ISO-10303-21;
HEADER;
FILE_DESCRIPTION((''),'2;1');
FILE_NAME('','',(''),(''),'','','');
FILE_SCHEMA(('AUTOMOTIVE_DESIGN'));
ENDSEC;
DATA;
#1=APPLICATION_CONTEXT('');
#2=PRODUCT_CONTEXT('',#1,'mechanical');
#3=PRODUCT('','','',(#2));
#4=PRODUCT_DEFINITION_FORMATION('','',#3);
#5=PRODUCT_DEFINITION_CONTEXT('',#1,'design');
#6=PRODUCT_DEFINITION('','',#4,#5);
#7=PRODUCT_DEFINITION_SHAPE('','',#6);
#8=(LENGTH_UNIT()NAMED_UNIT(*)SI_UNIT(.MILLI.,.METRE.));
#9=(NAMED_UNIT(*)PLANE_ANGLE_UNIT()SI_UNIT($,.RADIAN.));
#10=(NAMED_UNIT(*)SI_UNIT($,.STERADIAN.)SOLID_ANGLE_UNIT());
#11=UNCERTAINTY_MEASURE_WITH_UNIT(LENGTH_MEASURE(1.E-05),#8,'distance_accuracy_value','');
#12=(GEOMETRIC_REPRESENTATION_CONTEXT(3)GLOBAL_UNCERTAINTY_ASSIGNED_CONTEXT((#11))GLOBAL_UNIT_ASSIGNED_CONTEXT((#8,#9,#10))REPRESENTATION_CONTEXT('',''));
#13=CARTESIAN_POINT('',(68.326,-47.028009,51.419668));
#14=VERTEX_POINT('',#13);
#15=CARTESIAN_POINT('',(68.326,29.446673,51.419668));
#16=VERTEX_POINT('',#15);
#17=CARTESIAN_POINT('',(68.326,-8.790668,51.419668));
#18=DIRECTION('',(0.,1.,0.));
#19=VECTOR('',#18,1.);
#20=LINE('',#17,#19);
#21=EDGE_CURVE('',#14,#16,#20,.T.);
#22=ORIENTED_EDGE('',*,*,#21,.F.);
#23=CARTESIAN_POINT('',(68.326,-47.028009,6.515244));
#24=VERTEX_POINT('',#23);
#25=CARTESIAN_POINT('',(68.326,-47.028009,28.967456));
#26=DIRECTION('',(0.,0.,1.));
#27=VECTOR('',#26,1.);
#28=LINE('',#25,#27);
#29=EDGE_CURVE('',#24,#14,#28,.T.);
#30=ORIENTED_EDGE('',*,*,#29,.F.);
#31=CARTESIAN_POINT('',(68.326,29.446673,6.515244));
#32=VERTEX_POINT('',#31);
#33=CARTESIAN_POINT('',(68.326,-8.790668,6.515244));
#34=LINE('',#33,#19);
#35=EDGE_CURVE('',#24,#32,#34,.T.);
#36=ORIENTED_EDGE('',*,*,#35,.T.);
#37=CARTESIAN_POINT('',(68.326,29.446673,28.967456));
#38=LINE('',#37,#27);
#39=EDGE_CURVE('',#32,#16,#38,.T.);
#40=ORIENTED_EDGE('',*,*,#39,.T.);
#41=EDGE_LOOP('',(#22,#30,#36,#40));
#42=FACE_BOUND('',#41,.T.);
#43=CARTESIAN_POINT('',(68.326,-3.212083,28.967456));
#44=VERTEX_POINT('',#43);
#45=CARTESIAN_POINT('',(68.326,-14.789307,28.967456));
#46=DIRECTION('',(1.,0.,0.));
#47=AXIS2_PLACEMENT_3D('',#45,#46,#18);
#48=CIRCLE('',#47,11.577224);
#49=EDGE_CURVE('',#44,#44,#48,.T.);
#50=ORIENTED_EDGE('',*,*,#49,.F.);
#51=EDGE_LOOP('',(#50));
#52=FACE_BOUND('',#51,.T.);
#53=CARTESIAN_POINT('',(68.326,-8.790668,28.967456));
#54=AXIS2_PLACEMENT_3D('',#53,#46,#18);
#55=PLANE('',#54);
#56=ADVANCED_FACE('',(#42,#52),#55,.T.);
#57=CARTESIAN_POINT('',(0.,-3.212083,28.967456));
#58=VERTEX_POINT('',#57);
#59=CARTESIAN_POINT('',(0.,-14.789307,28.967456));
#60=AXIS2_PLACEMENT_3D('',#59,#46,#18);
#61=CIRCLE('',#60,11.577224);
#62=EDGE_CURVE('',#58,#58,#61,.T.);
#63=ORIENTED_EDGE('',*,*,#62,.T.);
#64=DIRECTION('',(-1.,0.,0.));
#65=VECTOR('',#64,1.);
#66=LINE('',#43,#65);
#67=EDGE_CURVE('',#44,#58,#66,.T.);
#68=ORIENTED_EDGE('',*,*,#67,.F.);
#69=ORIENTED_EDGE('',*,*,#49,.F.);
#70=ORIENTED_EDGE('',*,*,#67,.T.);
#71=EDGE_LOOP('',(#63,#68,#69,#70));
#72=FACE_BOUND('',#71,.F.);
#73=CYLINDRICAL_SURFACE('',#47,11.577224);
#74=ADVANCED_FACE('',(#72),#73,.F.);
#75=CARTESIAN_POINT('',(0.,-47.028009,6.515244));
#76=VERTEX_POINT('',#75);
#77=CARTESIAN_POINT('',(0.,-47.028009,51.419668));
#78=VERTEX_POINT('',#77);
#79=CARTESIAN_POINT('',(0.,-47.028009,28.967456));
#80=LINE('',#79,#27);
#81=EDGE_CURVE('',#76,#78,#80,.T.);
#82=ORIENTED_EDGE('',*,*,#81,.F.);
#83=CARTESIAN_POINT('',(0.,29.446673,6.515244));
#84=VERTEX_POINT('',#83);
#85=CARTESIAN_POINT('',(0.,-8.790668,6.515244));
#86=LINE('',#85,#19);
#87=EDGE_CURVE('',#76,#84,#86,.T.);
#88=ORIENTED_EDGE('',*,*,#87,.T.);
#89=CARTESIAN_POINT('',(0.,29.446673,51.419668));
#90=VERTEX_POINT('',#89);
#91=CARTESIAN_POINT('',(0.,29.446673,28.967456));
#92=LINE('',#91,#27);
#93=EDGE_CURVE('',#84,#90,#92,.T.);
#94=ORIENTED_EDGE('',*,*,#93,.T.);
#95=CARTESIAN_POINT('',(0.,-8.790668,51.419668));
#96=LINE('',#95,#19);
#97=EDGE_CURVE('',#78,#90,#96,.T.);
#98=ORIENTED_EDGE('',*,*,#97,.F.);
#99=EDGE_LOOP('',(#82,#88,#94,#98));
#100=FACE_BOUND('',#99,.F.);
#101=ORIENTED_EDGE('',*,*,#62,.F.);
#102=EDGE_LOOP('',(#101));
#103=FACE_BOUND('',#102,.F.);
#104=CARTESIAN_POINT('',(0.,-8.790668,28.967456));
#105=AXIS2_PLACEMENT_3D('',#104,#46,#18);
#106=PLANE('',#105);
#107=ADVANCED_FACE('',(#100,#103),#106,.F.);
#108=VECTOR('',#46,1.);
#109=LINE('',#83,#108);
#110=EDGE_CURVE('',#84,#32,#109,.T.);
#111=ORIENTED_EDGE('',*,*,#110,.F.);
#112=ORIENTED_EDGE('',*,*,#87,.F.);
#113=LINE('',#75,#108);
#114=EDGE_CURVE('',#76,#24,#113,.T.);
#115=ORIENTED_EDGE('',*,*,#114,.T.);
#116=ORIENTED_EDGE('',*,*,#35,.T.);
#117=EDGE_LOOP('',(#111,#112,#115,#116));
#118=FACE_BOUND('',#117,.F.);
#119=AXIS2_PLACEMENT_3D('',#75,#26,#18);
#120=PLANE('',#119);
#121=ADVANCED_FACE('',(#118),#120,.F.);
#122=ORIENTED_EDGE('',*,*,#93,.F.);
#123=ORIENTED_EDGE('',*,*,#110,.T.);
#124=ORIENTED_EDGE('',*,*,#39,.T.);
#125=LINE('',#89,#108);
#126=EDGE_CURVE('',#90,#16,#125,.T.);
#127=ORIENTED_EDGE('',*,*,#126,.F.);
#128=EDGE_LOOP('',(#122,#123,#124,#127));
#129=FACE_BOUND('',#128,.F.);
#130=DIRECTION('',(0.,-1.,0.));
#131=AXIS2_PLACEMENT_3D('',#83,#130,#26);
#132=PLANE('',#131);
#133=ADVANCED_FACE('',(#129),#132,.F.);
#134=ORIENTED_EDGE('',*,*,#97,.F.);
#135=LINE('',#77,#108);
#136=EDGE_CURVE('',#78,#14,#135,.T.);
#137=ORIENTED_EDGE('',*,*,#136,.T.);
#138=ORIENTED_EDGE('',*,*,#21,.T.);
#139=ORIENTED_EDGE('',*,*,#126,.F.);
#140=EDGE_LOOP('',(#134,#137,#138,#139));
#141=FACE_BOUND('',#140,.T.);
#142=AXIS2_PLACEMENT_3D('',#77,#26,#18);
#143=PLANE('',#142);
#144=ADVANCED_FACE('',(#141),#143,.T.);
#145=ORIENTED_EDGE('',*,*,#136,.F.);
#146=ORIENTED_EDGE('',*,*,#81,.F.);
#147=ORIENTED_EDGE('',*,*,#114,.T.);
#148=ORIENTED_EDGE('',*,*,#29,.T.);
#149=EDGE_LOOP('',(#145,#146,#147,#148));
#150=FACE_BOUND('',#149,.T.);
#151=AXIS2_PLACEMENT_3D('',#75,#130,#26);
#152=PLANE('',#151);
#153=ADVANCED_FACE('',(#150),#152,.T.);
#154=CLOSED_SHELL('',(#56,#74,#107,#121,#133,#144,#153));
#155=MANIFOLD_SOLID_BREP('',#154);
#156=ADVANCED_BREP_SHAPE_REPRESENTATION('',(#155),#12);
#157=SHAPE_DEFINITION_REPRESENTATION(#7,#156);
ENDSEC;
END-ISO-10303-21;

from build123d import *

# Parameters (mm, degrees)
F0_W     = 76.474682
F0_H     = 44.904424
F1_DEPTH = 68.326
F2_R     = 11.577224
F3_DEPTH = 188.722


with BuildPart() as f1:
    # F0 (on Right) → F1 (new body)
    with BuildSketch(Plane.YZ):
        with Locations((-8.790668, 28.967456)):
            Rectangle(F0_W, F0_H)
    extrude(amount=F1_DEPTH)

    # F2 (on face) → F3 (cut)
    with BuildSketch(Plane.YZ.offset(68.326)):
        with Locations((-14.789307, 28.967456)):
            Circle(F2_R)
    extrude(amount=-F3_DEPTH, mode=Mode.SUBTRACT)


solid = f1.part
